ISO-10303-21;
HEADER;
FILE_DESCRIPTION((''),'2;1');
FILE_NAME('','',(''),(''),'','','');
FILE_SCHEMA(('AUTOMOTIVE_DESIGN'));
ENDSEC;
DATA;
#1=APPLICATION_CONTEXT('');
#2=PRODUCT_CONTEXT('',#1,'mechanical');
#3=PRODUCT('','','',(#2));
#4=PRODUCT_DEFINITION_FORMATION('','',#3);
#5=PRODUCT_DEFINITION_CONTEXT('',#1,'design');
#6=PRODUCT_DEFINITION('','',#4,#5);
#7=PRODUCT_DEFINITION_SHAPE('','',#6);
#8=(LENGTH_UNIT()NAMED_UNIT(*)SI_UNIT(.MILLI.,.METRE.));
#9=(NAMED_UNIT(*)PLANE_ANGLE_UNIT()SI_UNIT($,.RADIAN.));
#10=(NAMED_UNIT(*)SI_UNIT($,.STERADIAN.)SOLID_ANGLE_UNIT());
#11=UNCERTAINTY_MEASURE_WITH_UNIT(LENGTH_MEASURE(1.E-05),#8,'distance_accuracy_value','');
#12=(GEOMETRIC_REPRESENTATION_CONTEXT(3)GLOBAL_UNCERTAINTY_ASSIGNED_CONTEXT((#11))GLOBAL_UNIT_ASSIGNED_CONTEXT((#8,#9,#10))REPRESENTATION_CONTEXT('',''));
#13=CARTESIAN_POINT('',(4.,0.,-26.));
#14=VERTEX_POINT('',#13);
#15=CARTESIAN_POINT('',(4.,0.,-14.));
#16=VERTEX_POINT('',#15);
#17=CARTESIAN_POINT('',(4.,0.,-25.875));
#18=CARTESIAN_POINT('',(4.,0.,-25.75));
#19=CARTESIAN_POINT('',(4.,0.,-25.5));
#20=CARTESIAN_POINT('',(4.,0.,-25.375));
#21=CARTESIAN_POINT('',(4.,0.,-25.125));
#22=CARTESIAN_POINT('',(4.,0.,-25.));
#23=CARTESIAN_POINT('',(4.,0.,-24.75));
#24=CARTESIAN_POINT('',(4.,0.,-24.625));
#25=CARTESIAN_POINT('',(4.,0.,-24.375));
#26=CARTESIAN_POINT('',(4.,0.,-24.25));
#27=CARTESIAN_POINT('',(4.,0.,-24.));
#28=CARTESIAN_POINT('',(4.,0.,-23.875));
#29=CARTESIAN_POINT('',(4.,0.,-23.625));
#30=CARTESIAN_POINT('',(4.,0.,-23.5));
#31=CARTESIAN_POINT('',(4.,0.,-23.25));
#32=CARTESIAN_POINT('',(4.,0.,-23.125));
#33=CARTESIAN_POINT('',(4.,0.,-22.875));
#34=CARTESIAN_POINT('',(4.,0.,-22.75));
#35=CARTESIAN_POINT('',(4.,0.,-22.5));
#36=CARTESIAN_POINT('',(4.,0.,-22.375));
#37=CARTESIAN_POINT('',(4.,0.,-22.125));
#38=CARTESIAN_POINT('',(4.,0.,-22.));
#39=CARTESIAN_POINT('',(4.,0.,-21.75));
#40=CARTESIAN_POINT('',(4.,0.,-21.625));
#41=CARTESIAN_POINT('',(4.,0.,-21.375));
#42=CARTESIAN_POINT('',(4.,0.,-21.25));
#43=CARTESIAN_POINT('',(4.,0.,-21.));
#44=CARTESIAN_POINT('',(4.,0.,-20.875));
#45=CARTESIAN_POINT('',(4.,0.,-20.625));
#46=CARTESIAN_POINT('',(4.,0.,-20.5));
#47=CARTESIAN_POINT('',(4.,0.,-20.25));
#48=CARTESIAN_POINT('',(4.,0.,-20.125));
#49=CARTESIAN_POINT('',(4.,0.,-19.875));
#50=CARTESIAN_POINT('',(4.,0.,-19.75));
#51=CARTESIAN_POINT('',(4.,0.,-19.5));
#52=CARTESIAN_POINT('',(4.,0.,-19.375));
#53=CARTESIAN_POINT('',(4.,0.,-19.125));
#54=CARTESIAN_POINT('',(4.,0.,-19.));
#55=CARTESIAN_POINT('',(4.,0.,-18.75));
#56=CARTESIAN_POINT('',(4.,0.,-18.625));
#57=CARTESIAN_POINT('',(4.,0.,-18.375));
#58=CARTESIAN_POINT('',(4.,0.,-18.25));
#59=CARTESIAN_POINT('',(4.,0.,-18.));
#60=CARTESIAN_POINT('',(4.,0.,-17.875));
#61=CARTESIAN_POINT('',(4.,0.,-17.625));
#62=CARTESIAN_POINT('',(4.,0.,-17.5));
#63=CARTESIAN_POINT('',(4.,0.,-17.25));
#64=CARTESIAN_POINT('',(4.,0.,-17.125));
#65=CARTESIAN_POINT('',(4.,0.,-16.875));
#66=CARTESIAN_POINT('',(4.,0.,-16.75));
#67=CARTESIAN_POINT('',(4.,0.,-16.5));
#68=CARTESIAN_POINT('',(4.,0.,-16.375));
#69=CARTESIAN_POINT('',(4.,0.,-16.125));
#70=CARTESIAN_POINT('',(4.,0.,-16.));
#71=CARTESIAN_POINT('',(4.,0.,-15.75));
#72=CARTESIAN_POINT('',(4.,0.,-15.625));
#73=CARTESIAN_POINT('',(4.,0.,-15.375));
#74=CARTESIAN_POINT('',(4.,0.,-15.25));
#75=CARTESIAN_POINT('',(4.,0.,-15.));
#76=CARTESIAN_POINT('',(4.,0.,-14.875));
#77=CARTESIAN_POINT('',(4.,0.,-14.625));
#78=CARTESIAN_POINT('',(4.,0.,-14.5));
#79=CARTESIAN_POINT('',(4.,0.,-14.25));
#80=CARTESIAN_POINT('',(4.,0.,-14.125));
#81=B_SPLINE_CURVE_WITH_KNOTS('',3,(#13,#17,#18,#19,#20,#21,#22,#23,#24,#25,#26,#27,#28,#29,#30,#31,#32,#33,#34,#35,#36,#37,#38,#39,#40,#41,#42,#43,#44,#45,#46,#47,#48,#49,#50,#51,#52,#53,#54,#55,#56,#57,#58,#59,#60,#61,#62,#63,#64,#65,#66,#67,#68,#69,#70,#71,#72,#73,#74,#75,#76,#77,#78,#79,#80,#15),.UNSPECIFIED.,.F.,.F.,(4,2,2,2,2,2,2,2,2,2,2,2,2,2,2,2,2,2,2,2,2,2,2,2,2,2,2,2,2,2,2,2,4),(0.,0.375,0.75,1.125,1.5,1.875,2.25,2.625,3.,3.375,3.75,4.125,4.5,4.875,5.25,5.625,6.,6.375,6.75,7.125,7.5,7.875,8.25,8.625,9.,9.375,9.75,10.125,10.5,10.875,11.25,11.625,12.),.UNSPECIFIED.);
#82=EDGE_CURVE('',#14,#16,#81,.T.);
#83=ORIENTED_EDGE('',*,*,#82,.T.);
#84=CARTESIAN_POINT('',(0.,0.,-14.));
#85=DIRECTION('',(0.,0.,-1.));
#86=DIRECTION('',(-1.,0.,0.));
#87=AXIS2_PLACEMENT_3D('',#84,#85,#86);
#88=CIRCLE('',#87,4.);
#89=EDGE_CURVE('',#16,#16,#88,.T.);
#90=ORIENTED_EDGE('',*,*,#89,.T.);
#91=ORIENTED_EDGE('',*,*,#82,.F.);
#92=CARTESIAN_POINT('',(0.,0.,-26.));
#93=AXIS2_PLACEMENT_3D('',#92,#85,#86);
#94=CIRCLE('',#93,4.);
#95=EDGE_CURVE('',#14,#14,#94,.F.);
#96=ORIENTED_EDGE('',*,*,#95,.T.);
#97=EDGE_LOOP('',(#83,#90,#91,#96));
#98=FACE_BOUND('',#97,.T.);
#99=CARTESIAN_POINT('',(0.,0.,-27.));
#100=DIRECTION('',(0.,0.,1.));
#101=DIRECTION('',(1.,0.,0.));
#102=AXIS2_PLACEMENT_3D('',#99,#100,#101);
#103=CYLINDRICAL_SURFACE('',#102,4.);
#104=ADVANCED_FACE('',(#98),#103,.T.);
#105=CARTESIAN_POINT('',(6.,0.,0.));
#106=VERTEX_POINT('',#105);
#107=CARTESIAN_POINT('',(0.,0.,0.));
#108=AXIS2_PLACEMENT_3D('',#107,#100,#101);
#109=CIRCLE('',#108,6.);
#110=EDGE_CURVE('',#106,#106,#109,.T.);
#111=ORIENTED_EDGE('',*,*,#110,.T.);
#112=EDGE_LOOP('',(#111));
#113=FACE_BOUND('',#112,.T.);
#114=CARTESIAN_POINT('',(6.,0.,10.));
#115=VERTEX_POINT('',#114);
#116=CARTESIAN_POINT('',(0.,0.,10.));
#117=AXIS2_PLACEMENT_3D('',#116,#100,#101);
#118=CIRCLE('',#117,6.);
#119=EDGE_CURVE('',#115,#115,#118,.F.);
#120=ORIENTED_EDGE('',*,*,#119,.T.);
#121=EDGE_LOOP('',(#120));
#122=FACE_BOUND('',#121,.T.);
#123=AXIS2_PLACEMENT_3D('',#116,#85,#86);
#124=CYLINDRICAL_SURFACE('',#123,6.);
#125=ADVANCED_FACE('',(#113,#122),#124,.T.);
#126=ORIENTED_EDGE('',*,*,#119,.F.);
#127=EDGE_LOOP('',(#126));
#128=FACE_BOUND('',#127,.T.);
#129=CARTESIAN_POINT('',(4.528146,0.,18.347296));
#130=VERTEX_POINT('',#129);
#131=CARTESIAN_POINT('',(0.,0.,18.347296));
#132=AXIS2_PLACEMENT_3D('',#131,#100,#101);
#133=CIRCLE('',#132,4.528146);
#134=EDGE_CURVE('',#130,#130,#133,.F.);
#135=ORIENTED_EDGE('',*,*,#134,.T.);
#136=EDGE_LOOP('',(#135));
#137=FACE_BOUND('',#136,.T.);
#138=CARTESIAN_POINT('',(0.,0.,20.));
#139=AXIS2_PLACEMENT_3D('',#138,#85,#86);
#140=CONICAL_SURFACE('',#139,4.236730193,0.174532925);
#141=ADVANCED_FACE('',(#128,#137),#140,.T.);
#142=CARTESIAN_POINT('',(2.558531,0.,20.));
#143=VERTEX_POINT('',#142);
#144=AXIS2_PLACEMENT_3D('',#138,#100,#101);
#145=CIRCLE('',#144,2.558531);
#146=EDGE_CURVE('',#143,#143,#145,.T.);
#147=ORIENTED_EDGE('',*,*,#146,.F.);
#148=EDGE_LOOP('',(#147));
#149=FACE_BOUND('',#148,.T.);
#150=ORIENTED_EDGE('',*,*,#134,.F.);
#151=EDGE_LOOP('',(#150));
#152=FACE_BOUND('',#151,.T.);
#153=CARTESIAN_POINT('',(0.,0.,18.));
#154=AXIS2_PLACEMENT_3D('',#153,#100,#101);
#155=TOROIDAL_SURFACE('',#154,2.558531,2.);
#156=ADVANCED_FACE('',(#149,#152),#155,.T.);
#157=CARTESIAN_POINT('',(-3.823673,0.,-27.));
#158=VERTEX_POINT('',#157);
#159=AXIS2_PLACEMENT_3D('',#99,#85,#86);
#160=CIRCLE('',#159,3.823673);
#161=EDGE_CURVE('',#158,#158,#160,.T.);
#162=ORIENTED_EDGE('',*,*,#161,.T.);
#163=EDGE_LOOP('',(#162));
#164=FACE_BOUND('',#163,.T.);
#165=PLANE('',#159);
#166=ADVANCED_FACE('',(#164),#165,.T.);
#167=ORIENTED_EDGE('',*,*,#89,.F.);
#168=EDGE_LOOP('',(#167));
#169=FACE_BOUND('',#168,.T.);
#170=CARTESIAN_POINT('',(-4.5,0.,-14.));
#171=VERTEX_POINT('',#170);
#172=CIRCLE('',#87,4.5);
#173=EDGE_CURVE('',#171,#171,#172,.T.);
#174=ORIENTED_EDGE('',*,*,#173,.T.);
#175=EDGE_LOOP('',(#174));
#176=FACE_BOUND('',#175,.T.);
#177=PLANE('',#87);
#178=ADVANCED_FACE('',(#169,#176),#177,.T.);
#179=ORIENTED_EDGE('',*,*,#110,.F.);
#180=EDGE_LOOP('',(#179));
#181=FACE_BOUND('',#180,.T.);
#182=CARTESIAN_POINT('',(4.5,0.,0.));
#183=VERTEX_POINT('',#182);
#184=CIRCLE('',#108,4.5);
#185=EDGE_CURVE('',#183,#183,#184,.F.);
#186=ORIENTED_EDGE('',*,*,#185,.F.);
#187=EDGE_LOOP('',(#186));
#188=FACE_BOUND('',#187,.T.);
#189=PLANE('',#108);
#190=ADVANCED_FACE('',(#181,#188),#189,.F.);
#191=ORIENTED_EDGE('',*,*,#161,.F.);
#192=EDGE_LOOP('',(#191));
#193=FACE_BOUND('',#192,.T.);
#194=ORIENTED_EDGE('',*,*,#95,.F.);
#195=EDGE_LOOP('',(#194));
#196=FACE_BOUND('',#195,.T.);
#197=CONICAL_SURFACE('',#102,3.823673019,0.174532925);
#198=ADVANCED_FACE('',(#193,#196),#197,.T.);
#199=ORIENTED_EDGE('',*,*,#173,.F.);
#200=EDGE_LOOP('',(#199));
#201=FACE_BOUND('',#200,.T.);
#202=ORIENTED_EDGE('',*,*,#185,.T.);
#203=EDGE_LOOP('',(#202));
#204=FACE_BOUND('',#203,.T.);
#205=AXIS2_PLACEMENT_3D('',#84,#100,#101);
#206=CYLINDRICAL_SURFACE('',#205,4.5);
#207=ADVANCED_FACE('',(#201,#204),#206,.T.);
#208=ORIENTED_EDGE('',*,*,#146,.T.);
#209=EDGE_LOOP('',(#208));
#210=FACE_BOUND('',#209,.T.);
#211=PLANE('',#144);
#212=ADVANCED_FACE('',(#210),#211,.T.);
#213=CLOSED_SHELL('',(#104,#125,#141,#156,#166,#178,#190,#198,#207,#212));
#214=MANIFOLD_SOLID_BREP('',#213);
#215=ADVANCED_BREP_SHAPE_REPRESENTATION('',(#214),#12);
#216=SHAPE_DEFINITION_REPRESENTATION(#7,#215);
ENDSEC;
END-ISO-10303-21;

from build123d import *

# Parameters (mm, degrees)
CROQUIS1_R              = 6
SALIENTE_EXTRUIR1_DEPTH = 10
CROQUIS2_R              = 6
SALIENTE_EXTRUIR2_DEPTH = 10
CHAFL_N1_SIZE           = 10
CHAFL_N1_SIZE2          = 1.763269807
REDONDEO1_R             = 2
CROQUIS3_R              = 4.5
SALIENTE_EXTRUIR3_DEPTH = 14
CROQUIS4_R              = 4
SALIENTE_EXTRUIR4_DEPTH = 13
CHAFL_N2_SIZE           = 1
CHAFL_N2_SIZE2          = 0.176326981


with BuildPart() as part:
    # Croquis1 → Saliente-Extruir1 (new body)
    with BuildSketch(Plane.XY):
        Circle(CROQUIS1_R)
    extrude(amount=SALIENTE_EXTRUIR1_DEPTH)

    # Croquis2 → Saliente-Extruir2 (add)
    with BuildSketch(Plane.XY.offset(10)):
        Circle(CROQUIS2_R)
    extrude(amount=SALIENTE_EXTRUIR2_DEPTH)

    # Chaflán1
    chafl_n1_edges = [part.edges().sort_by_distance(p)[0] for p in [
        (-6, 0, 20),
    ]]
    chafl_n1_side = [part.faces().sort_by_distance(p)[0] for p in [
        (-6, 0, 10),
    ]]
    chamfer(chafl_n1_edges, length=CHAFL_N1_SIZE, length2=CHAFL_N1_SIZE2, reference=chafl_n1_side[0])

    # Redondeo1
    redondeo1_edges = [part.edges().sort_by_distance(p)[0] for p in [
        (-4.236730193, 0, 20),
    ]]
    fillet(redondeo1_edges, radius=REDONDEO1_R)

    # Croquis3 → Saliente-Extruir3 (add)
    with BuildSketch(Plane(origin=(0, 0, 0), x_dir=(-1, 0, 0), z_dir=(0, 0, -1))):
        with Locations(Location((0, 0, 0), (0, 0, 180))):
            Circle(CROQUIS3_R)
    extrude(amount=SALIENTE_EXTRUIR3_DEPTH)

    # Croquis4 → Saliente-Extruir4 (add)
    with BuildSketch(Plane(origin=(0, 0, -14), x_dir=(-1, 0, 0), z_dir=(0, 0, -1))):
        with Locations(Location((0, 0, 0), (0, 0, 180))):
            Circle(CROQUIS4_R)
    extrude(amount=SALIENTE_EXTRUIR4_DEPTH)

    # Chaflán2
    chafl_n2_edges = [part.edges().sort_by_distance(p)[0] for p in [
        (-4, 0, -27),
    ]]
    chafl_n2_side = [part.faces().sort_by_distance(p)[0] for p in [
        (-4, 0, -20.5),
    ]]
    chamfer(chafl_n2_edges, length=CHAFL_N2_SIZE, length2=CHAFL_N2_SIZE2, reference=chafl_n2_side[0])


solid = part.part
